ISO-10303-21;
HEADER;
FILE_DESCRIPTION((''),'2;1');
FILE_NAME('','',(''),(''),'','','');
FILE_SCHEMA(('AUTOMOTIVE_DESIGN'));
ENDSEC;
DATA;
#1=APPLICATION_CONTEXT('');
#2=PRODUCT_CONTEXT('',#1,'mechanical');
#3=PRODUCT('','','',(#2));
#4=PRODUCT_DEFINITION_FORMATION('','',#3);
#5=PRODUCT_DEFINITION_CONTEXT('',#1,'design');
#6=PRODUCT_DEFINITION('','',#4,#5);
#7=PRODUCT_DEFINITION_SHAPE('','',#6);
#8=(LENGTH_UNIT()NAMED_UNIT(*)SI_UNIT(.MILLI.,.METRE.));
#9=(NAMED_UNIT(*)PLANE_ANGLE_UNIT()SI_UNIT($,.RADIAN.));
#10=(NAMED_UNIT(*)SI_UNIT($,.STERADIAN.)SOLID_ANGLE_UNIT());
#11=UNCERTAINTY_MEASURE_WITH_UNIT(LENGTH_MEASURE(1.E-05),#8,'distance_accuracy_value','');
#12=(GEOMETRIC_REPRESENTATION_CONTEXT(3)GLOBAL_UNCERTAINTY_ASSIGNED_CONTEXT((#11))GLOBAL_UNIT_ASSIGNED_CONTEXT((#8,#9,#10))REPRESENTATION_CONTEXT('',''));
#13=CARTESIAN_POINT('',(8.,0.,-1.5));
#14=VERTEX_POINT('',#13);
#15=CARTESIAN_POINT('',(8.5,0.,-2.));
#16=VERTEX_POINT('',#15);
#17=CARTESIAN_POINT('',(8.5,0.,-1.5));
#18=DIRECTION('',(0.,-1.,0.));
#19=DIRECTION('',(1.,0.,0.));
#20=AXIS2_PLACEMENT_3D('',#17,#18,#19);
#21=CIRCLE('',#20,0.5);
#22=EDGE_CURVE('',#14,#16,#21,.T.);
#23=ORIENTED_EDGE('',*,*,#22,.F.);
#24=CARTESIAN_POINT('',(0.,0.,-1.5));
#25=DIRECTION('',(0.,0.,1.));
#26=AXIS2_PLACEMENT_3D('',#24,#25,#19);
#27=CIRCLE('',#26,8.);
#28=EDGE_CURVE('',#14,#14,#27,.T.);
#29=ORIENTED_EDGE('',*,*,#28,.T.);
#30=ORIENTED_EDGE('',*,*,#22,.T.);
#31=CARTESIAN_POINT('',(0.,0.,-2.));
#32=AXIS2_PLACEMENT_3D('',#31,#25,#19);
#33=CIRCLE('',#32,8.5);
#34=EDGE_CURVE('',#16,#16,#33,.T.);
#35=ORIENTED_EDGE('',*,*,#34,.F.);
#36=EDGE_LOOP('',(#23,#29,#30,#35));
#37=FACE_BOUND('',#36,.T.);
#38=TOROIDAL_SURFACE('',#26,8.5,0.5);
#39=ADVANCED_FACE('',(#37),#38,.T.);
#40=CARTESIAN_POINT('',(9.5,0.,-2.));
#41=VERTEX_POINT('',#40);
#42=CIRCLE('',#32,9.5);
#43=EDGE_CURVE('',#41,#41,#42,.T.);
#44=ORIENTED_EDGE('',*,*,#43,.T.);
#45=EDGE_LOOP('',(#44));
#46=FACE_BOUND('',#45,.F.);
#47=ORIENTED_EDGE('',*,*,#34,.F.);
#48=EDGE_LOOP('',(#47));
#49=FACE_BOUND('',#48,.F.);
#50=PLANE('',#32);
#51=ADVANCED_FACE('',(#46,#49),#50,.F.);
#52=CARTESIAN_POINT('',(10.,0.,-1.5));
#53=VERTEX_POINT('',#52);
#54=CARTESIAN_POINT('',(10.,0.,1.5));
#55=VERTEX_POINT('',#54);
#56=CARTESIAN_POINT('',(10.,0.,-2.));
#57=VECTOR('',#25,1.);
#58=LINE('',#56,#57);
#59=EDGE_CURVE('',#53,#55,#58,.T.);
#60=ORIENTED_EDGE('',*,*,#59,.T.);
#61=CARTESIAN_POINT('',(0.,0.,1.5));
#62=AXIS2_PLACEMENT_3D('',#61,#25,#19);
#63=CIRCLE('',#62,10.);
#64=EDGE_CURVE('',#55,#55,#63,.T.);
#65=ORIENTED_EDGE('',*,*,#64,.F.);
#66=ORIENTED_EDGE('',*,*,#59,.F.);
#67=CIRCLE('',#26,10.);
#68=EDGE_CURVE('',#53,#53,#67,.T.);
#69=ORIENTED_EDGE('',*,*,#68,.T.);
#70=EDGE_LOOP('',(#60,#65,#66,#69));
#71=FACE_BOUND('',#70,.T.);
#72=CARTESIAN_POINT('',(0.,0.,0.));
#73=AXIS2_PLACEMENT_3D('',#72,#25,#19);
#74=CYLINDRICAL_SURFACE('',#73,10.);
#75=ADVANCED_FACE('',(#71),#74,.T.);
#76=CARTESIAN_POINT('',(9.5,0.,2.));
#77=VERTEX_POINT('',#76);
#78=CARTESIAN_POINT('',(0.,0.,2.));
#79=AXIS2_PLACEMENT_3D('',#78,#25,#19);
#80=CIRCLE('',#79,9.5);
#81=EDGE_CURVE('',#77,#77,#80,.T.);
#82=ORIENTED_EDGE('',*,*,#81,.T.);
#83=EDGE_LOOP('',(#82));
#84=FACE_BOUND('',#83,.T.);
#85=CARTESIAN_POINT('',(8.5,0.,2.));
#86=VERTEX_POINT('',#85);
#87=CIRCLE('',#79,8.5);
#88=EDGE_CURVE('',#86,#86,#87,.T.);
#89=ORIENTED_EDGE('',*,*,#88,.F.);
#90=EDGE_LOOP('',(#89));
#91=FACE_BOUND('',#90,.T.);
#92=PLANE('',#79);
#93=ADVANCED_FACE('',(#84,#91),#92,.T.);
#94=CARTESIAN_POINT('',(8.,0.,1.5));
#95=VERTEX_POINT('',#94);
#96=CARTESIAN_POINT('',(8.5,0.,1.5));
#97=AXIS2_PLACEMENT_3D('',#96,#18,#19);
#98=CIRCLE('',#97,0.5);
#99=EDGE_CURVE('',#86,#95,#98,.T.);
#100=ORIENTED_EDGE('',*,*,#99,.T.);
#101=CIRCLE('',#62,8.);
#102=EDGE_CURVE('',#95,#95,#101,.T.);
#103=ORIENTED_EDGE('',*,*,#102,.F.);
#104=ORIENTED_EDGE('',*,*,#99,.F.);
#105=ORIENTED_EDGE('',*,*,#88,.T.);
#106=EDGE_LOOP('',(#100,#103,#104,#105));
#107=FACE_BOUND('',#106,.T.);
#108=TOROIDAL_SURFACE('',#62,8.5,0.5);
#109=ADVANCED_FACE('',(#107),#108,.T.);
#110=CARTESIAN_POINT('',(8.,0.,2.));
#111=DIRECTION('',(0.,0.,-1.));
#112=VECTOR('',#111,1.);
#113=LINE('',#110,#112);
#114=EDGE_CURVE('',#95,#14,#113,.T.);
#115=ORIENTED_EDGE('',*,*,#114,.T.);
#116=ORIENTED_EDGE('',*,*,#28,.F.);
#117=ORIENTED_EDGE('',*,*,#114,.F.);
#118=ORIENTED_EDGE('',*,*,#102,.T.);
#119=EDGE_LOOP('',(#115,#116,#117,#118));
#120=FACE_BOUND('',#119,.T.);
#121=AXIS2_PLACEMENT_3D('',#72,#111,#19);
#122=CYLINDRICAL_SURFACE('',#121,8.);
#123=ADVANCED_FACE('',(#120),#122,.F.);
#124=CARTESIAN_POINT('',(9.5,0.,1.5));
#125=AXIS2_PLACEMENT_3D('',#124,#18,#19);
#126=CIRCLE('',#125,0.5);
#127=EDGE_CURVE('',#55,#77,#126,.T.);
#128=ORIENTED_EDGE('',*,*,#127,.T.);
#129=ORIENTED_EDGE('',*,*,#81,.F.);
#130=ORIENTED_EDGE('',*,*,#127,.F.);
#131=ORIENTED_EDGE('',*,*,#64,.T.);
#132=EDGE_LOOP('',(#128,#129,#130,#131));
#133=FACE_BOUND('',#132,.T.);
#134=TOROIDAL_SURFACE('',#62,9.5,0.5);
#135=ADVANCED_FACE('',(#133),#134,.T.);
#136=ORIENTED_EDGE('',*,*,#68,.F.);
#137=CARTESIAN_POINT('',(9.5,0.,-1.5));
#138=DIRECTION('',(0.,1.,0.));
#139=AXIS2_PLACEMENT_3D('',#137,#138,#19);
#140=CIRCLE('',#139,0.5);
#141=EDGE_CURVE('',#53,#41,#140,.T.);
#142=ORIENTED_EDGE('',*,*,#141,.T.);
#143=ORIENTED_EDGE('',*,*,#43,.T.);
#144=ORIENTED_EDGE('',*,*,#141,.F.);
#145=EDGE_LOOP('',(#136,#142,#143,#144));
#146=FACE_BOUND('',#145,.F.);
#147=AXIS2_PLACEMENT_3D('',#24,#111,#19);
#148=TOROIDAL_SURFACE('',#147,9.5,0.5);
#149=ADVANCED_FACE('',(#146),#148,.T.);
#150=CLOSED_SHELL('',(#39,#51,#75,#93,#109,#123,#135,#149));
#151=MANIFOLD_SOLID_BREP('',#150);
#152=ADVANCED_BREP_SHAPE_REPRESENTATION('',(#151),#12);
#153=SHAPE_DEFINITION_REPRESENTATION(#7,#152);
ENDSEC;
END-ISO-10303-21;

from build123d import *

# Parameters (mm, degrees)
F0_R     = 10
F0_R_2   = 8
F1_DEPTH = 2
F2_R     = 0.5


with BuildPart() as f1:
    # F0 (on Top) → F1 (new body, symmetric)
    with BuildSketch(Plane.XY):
        Circle(F0_R)
        Circle(F0_R_2, mode=Mode.SUBTRACT)
    extrude(amount=F1_DEPTH, both=True)

    # F2
    f2_edges = [f1.edges().sort_by_distance(p)[0] for p in [
        (-10, 0, 2),
        (-8, 0, 2),
        (-10, 0, -2),
        (-8, 0, -2),
    ]]
    fillet(f2_edges, radius=F2_R)


solid = f1.part
